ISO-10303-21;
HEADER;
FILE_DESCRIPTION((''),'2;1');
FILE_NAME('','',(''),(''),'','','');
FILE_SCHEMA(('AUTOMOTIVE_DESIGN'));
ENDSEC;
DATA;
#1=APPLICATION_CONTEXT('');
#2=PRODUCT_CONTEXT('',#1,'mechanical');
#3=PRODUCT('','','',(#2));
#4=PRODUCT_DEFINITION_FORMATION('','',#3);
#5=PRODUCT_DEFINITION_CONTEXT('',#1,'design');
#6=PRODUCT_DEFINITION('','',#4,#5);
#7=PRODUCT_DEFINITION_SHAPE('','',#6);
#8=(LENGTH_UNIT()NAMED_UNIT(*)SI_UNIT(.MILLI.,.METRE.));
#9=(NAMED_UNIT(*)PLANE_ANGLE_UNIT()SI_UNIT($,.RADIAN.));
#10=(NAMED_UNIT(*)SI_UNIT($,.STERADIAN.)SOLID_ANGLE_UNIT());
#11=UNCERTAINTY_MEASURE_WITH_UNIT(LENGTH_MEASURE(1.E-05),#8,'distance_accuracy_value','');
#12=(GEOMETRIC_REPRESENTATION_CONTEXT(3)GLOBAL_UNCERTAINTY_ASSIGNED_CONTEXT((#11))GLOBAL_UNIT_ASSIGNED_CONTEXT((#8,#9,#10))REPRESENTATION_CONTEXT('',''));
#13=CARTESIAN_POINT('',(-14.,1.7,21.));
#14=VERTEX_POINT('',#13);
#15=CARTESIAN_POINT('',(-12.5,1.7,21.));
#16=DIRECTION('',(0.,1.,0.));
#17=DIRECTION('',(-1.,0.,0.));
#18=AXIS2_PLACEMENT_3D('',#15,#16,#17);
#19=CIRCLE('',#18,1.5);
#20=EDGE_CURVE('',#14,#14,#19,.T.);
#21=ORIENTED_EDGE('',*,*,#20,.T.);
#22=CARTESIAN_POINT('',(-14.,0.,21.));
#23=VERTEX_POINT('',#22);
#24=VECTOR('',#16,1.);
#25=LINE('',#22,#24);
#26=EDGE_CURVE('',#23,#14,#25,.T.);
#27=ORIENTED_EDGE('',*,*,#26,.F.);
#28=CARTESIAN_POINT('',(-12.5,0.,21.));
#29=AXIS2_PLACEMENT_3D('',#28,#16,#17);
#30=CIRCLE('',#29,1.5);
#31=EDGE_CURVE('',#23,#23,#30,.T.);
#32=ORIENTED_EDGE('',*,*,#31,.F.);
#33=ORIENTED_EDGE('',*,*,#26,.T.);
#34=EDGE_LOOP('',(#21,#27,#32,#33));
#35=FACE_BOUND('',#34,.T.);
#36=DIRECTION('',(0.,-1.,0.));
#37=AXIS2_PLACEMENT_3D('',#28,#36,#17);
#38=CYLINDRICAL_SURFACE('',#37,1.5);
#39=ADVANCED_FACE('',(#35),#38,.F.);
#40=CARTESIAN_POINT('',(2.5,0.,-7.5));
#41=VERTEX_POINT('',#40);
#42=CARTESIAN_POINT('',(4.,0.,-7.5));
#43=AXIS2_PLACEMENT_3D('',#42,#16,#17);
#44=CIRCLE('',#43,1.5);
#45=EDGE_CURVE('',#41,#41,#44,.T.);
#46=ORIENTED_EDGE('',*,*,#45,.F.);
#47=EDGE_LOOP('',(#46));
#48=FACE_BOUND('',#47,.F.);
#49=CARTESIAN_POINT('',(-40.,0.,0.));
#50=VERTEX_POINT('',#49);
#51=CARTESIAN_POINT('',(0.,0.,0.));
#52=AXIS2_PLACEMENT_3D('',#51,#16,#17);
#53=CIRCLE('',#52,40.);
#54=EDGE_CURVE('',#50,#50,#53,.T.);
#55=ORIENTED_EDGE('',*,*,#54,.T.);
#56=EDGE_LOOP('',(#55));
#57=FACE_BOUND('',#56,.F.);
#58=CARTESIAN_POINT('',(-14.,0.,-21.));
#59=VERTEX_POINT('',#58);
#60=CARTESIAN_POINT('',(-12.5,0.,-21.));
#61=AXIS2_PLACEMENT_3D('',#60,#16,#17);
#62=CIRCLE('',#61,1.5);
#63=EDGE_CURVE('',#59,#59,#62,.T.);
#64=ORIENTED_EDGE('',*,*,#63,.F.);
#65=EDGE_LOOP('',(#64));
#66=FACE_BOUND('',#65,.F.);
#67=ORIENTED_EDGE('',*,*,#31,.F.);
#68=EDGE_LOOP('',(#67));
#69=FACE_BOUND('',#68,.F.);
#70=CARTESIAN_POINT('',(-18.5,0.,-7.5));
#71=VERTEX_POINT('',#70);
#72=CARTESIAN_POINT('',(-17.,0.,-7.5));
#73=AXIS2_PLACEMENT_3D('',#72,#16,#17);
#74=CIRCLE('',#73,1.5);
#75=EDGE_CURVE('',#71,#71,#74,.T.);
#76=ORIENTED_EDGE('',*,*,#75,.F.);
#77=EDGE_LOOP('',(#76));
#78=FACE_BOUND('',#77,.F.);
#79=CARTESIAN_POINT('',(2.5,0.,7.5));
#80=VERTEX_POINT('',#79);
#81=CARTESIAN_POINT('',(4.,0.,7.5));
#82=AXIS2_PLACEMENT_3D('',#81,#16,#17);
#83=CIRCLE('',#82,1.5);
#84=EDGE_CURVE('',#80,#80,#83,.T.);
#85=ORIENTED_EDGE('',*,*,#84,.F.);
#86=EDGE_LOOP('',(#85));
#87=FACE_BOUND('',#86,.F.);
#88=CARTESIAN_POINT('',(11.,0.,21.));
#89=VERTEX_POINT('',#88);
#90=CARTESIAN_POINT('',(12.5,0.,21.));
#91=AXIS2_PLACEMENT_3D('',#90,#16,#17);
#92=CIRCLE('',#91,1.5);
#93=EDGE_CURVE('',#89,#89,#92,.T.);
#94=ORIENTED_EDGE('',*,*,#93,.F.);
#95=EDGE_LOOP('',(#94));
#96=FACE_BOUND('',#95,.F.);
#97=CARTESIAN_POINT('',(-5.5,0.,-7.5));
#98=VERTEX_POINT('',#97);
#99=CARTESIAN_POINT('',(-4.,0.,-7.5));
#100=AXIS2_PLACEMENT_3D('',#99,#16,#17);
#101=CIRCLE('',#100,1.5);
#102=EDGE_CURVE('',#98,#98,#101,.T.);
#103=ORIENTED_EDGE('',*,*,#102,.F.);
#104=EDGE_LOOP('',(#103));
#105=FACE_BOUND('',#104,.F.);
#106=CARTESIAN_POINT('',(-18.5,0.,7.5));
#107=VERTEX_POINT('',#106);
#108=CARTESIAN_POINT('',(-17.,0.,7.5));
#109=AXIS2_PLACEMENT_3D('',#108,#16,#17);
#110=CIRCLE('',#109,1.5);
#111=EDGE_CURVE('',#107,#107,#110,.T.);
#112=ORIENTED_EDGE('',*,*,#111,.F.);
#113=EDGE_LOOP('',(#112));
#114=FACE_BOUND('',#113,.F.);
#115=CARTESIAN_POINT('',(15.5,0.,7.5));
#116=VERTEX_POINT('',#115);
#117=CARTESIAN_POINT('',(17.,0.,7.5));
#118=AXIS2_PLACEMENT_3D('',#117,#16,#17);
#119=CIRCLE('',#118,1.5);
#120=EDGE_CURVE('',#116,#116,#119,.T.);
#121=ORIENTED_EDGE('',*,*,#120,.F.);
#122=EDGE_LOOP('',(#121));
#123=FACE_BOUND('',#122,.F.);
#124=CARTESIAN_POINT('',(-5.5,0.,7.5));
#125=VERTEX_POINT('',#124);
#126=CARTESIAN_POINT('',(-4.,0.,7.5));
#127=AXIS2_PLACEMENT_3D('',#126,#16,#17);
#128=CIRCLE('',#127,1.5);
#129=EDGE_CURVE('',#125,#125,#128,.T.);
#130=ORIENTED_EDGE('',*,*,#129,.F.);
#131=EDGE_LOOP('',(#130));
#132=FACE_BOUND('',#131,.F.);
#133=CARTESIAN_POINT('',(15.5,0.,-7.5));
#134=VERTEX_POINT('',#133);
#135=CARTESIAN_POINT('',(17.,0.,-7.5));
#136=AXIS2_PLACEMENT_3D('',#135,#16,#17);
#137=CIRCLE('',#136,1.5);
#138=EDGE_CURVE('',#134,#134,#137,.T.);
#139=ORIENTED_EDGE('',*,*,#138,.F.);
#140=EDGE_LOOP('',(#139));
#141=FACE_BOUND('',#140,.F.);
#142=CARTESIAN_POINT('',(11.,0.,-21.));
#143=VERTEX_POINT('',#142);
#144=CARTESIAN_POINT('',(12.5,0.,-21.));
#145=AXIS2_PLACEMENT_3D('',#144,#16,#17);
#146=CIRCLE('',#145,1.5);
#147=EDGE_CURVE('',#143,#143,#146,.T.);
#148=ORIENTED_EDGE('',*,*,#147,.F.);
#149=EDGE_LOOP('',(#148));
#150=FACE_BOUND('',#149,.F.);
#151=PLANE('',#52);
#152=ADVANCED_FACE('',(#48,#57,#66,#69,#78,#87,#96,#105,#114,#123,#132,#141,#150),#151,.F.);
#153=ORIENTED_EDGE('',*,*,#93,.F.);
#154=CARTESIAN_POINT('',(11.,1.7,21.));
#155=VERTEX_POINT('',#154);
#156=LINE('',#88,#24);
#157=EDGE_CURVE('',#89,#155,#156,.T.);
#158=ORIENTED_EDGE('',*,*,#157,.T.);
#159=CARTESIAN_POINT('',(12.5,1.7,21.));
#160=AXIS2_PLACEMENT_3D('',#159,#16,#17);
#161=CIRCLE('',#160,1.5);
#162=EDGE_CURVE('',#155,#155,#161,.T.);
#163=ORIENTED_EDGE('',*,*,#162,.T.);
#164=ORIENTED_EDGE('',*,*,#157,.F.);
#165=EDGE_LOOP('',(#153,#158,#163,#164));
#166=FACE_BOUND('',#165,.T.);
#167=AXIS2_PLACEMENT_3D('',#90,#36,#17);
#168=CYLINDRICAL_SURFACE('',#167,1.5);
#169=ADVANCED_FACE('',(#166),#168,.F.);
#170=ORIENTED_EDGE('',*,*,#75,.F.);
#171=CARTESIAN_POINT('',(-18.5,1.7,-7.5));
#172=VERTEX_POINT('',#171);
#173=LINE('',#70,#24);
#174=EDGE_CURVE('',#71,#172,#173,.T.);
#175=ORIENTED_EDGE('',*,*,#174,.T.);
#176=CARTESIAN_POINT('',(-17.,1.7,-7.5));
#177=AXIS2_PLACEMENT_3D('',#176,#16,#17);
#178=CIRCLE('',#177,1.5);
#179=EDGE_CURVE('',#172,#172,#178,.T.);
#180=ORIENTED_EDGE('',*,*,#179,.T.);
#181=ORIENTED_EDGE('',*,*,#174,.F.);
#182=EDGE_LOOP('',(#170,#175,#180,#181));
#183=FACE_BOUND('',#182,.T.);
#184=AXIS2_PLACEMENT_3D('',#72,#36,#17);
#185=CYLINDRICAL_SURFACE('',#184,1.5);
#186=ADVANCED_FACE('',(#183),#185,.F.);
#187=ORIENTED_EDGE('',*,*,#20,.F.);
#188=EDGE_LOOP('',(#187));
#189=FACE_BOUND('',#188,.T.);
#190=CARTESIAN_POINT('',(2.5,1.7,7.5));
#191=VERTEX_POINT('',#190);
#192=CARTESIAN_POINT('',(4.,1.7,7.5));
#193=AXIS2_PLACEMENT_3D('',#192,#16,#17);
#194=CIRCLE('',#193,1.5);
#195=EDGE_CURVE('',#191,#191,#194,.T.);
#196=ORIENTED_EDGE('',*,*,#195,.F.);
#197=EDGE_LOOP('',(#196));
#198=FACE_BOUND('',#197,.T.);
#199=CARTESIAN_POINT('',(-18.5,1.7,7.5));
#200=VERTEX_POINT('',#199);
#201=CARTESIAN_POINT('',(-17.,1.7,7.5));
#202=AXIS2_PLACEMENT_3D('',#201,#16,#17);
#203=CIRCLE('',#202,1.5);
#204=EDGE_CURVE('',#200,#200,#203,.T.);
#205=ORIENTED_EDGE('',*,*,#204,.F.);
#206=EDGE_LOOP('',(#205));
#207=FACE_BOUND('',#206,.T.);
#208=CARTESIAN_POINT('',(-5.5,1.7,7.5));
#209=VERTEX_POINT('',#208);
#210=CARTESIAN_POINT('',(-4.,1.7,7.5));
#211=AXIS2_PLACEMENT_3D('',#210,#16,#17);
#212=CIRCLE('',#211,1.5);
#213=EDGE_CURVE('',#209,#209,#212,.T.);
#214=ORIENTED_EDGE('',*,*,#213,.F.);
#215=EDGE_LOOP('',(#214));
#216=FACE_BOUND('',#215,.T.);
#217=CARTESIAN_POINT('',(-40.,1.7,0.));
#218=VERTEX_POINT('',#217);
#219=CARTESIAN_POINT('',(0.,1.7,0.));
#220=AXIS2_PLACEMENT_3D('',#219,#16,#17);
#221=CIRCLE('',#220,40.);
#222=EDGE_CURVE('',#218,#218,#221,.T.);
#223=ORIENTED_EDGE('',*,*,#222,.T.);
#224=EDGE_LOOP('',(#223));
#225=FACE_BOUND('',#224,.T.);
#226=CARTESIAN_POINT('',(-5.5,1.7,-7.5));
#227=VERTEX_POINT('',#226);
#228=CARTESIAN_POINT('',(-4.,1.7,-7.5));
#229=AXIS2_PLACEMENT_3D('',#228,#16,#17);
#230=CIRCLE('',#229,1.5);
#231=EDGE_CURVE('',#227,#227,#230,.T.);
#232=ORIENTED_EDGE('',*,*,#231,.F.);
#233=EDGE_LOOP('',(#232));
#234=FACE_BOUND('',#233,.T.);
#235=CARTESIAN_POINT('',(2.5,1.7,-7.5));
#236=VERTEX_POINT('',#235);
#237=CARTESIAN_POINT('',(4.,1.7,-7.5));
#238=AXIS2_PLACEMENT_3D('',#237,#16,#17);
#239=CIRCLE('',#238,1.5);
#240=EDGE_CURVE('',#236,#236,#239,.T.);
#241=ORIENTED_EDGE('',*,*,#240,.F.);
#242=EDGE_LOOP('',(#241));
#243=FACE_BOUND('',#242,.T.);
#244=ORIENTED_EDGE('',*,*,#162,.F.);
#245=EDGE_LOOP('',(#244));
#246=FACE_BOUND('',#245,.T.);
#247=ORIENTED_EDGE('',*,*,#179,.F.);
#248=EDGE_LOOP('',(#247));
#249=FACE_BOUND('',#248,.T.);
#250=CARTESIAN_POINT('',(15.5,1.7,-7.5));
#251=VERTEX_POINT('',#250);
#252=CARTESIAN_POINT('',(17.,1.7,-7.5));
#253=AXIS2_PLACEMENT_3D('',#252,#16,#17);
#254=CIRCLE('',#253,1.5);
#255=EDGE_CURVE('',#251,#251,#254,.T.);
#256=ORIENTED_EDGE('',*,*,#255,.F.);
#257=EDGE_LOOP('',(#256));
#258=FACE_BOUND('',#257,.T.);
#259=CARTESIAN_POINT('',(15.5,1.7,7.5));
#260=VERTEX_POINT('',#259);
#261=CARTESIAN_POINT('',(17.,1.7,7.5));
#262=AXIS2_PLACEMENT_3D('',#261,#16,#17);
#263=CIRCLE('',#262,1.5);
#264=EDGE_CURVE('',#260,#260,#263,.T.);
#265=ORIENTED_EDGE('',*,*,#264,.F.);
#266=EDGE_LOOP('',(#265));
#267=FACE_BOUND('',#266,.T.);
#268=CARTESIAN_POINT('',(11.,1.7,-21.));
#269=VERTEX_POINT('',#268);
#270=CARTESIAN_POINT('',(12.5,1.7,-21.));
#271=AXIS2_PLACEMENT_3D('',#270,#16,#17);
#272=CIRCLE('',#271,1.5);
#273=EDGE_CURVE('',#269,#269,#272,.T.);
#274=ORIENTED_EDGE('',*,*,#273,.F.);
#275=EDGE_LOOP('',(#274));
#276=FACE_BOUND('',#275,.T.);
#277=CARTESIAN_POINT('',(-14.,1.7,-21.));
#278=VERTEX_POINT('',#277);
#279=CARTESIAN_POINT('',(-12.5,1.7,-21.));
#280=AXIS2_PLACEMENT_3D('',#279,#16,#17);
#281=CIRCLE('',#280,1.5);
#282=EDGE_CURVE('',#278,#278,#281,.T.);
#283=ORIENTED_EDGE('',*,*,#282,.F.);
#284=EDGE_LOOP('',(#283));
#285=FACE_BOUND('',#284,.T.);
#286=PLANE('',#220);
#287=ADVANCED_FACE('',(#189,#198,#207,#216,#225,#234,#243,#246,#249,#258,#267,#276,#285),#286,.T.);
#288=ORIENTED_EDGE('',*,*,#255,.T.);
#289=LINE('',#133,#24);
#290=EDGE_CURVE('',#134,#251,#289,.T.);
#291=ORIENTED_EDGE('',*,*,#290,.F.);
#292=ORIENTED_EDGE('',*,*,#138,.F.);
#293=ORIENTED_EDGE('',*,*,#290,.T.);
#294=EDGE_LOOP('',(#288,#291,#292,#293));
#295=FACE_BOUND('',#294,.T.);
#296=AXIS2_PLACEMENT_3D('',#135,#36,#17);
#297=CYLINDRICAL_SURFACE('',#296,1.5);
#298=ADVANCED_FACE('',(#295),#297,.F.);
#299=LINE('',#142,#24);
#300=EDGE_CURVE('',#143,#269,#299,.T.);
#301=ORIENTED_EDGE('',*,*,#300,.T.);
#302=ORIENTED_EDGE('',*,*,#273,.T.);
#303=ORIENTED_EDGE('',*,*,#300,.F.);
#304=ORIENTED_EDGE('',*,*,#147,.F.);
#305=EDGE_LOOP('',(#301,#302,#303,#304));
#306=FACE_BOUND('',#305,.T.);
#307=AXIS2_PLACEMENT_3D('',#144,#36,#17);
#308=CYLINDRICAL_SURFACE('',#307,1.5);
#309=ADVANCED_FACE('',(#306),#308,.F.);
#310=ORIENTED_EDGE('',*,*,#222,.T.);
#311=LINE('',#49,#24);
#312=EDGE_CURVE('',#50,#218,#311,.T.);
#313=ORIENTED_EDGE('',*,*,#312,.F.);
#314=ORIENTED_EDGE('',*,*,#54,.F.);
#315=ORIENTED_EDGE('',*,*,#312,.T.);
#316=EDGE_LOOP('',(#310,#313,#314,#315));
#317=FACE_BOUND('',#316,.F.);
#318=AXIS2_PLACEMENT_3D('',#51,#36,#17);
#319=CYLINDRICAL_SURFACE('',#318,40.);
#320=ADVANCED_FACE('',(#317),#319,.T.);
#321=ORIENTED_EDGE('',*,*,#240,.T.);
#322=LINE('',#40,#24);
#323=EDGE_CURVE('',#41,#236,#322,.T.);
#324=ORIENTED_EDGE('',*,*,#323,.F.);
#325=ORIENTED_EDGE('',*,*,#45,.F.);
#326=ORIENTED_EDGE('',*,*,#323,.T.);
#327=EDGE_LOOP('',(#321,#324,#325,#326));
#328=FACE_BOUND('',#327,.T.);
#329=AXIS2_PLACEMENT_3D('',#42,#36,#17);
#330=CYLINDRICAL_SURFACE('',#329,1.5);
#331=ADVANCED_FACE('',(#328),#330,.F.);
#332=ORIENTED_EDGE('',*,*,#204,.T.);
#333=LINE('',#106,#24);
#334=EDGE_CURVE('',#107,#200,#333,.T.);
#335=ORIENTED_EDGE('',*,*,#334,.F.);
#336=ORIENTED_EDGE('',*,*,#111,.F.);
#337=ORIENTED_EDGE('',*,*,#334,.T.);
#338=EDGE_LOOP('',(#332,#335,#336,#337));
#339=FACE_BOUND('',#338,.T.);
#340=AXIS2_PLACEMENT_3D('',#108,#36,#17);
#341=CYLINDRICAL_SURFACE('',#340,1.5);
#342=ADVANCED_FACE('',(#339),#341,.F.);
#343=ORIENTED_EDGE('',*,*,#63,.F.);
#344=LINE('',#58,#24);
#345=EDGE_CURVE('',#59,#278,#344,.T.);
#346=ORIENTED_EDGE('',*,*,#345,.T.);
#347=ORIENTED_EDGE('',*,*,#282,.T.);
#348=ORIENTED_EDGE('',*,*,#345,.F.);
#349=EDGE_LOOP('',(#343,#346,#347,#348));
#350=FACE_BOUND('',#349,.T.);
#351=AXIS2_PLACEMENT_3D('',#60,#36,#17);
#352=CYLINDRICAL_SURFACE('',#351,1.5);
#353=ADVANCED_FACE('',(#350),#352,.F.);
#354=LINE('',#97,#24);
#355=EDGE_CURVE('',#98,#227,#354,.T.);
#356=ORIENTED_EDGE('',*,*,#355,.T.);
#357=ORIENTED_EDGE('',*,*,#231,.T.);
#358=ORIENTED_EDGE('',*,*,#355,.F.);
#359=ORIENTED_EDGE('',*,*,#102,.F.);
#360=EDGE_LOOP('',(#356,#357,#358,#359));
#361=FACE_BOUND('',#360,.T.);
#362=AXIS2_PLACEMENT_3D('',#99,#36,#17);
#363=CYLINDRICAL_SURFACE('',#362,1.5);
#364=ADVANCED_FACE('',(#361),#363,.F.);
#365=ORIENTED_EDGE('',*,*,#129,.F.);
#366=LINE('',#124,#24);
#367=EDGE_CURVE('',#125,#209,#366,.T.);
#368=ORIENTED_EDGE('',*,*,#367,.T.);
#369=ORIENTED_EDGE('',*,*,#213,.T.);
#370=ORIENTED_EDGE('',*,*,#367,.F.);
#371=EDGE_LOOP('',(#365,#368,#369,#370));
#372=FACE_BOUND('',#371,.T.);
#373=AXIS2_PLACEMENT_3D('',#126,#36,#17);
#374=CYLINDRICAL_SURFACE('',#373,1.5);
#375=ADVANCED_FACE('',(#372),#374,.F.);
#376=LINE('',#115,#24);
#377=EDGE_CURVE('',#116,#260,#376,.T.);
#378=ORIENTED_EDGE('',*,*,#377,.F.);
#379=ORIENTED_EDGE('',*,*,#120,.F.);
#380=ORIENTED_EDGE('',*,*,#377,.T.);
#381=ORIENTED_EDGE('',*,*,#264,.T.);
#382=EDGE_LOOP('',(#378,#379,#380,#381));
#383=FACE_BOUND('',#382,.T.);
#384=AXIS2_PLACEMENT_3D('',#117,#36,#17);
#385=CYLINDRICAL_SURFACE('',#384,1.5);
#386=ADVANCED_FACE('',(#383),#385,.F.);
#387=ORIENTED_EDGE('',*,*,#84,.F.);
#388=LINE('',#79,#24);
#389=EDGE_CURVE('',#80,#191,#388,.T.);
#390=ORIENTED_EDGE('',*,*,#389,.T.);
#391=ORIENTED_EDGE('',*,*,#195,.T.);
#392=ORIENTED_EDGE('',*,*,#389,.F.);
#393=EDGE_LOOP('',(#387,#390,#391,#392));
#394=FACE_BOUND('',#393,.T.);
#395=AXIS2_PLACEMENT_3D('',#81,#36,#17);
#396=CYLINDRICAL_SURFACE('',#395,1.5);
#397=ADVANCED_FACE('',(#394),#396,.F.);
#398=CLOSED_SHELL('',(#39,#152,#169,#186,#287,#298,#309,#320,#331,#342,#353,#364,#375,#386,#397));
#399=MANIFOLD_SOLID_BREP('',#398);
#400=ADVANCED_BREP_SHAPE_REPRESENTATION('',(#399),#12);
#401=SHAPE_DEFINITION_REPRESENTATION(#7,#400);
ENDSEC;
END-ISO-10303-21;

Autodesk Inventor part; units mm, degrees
ref_plane "YZ Plane" through (0, 0, 0) normal (1, 0, 0) x (0, 1, 0)
ref_plane "XZ Plane" through (0, 0, 0) normal (0, 1, 0) x (-1, 0, 0)
ref_plane "XY Plane" through (0, 0, 0) normal (0, 0, 1) x (1, 0, 0)
sketch "Sketch1" plane through (0, 0, 0) normal (0, 1, 0) x (-1, 0, 0)
  circle A0 centre (0, 0) radius 40
  circle A1 centre (4, -7.5) radius 1.5
  circle A2 centre (17, -7.5) radius 1.5
  circle A3 centre (12.5, -21) radius 1.5
  line L0 (0, -59.049) -> (0, -66.1478)
  line L1 (48.8848, 0) -> (55.4996, 0)
  circle A4 centre (-4, -7.5) radius 1.5
  circle A5 centre (-17, -7.5) radius 1.5
  circle A6 centre (-12.5, -21) radius 1.5
  circle A7 centre (4, 7.5) radius 1.5
  circle A8 centre (17, 7.5) radius 1.5
  circle A9 centre (12.5, 21) radius 1.5
  circle A10 centre (-12.5, 21) radius 1.5
  circle A11 centre (-17, 7.5) radius 1.5
  circle A12 centre (-4, 7.5) radius 1.5
  dimension "d0" = 80
  dimension "d1" = 3
  dimension "d2" = 3
  dimension "d3" = 3
  dimension "d4" = 4
  dimension "d5" = 7.5
  dimension "d6" = 13
  dimension "d7" = 0
  dimension "d8" = 12.5
  dimension "d9" = 21
extrude "Extrusion1" add sketch "Sketch1" along normal blind 1.7
properties part number "base plate"
